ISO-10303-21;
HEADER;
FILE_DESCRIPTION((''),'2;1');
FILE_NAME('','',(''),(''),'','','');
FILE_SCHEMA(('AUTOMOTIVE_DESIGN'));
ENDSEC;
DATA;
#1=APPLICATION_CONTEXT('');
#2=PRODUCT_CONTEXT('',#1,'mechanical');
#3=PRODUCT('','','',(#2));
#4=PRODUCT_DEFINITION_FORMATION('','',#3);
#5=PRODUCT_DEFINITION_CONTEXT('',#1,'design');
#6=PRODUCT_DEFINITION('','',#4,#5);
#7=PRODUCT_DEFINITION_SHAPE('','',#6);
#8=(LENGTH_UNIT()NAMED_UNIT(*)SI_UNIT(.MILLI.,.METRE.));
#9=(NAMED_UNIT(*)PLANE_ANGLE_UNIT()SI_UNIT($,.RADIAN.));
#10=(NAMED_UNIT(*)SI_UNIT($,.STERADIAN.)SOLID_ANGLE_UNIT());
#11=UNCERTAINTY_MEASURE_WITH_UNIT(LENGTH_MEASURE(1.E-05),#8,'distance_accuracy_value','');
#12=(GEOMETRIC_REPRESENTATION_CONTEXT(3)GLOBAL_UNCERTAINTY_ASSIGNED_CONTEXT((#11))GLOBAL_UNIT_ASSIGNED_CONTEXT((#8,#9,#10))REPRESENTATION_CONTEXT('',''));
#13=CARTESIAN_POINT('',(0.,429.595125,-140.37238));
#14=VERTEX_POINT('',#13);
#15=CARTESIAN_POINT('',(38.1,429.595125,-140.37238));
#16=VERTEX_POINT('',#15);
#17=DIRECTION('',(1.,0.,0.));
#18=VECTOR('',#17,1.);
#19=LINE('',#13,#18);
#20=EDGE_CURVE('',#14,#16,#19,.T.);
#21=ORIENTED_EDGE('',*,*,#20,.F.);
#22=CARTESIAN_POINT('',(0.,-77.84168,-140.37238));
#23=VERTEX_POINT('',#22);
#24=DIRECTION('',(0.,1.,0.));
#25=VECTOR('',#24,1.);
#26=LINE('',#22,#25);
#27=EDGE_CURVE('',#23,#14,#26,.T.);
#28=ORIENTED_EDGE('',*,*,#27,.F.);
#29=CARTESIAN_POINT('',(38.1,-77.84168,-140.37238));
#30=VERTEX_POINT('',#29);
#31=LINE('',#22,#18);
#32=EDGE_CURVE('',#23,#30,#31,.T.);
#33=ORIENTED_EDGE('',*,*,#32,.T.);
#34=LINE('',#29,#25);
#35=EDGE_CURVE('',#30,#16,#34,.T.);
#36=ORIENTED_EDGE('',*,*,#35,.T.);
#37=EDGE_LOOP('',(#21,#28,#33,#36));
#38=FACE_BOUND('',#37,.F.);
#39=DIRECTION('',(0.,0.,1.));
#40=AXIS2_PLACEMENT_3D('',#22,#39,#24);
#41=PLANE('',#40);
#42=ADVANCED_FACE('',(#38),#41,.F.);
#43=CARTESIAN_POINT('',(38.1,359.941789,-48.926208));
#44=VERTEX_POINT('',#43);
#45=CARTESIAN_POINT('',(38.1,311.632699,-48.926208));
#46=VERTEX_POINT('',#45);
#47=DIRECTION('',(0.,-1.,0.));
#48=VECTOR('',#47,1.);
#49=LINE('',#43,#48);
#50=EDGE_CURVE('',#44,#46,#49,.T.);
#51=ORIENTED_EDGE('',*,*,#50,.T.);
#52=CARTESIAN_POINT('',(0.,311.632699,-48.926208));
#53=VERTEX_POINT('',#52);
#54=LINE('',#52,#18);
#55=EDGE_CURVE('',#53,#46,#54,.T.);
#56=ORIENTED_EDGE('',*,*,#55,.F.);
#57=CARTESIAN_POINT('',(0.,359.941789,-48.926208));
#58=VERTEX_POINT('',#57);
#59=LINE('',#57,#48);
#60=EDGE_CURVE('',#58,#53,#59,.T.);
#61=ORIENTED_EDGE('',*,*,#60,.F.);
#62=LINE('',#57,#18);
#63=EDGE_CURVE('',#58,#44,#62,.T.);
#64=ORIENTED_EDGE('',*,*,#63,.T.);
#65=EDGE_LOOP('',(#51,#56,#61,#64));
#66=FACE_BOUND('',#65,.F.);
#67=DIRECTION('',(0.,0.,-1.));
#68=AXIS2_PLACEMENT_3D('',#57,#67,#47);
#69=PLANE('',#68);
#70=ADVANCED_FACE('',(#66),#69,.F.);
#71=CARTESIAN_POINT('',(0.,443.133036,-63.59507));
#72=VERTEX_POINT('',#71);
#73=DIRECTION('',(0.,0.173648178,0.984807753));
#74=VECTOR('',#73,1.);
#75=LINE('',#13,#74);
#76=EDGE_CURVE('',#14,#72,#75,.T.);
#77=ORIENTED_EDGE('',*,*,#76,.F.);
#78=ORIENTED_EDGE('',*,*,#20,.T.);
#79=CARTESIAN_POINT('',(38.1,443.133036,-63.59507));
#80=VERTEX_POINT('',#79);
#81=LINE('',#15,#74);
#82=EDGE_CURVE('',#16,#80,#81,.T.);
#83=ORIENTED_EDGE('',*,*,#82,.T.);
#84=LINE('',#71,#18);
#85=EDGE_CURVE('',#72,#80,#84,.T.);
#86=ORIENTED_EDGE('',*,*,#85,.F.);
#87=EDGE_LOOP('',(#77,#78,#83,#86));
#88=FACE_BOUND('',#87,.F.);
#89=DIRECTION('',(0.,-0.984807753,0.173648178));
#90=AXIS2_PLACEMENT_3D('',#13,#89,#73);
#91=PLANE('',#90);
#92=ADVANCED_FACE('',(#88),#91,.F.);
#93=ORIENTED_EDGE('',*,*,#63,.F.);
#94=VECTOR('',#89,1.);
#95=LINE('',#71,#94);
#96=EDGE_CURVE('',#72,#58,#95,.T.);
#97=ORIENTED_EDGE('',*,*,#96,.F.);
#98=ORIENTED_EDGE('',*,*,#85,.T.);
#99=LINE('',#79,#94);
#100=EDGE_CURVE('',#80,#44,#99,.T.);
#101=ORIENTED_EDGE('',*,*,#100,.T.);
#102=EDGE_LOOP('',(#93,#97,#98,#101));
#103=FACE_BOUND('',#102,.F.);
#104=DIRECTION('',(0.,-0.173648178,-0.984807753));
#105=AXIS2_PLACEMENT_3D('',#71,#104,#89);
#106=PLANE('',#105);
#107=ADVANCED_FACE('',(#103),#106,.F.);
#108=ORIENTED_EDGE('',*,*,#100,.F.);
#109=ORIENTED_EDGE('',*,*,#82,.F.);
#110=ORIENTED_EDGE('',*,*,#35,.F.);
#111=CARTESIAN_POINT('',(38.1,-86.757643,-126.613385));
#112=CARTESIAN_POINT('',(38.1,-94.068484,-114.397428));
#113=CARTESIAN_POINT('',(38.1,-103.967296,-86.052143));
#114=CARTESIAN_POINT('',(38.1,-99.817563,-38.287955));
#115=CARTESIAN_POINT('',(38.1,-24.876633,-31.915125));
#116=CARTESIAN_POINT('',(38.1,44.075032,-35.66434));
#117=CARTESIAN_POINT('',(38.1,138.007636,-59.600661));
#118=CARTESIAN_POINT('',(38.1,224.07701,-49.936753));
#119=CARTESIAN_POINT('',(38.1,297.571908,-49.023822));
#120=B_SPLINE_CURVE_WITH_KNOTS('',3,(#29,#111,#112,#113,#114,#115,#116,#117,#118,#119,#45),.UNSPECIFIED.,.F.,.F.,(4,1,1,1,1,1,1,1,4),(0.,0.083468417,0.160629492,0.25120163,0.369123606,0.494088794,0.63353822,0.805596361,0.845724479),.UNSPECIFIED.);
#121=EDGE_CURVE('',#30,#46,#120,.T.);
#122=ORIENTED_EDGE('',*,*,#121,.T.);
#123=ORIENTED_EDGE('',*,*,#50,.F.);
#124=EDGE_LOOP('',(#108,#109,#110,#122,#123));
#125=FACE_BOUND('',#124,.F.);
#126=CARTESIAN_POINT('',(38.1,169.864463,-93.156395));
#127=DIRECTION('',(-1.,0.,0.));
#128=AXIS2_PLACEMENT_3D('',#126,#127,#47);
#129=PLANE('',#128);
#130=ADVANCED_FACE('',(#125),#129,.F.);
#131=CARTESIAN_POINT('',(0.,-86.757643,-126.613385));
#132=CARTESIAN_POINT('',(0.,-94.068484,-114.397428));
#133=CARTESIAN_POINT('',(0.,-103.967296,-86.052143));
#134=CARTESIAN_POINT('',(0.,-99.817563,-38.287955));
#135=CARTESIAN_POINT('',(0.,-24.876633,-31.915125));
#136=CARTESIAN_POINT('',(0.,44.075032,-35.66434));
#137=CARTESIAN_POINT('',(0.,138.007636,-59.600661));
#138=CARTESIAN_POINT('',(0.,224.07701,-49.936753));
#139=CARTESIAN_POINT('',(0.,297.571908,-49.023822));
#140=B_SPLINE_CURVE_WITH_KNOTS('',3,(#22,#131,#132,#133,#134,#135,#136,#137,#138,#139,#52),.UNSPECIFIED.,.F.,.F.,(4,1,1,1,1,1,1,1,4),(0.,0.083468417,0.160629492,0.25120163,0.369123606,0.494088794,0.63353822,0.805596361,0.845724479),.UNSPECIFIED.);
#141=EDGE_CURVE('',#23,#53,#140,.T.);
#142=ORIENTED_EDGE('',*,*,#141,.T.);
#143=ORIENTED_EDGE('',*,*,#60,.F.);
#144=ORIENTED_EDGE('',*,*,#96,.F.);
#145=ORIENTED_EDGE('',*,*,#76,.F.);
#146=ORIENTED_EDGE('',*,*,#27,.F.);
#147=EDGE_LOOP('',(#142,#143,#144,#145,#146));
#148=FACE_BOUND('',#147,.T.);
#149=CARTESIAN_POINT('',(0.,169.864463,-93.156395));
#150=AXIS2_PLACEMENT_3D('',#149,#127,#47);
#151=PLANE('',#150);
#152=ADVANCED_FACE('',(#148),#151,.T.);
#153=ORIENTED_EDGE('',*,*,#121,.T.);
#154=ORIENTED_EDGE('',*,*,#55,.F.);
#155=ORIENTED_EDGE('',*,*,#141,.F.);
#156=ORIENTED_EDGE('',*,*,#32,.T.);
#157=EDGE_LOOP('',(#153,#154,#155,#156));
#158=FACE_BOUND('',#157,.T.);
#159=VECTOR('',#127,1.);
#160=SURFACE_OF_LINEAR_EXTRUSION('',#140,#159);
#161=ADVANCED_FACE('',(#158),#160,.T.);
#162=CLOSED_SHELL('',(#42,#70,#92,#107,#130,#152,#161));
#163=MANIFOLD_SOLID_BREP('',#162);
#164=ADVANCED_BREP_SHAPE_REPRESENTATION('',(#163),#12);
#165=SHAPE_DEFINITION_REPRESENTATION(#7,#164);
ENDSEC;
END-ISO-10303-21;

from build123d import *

# Parameters (mm, degrees)
F1_DEPTH = 38.1


with BuildPart() as f1:
    # F0 (on Right) → F1 (new body)
    with BuildSketch(Plane.YZ):
        with BuildLine():
            add(Edge.make_bspline(
                [(-77.8416801097, -140.3723796138), (-86.7576430749, -126.6133851248), (-94.0684838186, -114.3974275467), (-103.9672959812, -86.0521433705), (-99.8175625581, -38.2879550789), (-24.8766331006, -31.9151254106), (44.0750318865, -35.6643402185), (138.0076357928, -59.600661209), (224.077009858, -49.9367526301), (297.5719081297, -49.0238223811), (311.6326987357, -48.9262081683)],
                knots=[0, 0, 0, 0, 0.0834684169, 0.1606294925, 0.2512016305, 0.3691236055, 0.494088794, 0.6335382199, 0.805596361, 0.8457244788, 0.8457244788, 0.8457244788, 0.8457244788], degree=3))
            Line((-77.8416801097, -140.3723796138), (429.5951245476, -140.3723796138))
            Line((429.5951245476, -140.3723796138), (443.1330358156, -63.5950695636))
            Line((443.1330358156, -63.5950695636), (359.9417888699, -48.9262081683))
            Line((359.9417888699, -48.9262081683), (311.6326987357, -48.9262081683))
        make_face()
    extrude(amount=F1_DEPTH)


solid = f1.part
